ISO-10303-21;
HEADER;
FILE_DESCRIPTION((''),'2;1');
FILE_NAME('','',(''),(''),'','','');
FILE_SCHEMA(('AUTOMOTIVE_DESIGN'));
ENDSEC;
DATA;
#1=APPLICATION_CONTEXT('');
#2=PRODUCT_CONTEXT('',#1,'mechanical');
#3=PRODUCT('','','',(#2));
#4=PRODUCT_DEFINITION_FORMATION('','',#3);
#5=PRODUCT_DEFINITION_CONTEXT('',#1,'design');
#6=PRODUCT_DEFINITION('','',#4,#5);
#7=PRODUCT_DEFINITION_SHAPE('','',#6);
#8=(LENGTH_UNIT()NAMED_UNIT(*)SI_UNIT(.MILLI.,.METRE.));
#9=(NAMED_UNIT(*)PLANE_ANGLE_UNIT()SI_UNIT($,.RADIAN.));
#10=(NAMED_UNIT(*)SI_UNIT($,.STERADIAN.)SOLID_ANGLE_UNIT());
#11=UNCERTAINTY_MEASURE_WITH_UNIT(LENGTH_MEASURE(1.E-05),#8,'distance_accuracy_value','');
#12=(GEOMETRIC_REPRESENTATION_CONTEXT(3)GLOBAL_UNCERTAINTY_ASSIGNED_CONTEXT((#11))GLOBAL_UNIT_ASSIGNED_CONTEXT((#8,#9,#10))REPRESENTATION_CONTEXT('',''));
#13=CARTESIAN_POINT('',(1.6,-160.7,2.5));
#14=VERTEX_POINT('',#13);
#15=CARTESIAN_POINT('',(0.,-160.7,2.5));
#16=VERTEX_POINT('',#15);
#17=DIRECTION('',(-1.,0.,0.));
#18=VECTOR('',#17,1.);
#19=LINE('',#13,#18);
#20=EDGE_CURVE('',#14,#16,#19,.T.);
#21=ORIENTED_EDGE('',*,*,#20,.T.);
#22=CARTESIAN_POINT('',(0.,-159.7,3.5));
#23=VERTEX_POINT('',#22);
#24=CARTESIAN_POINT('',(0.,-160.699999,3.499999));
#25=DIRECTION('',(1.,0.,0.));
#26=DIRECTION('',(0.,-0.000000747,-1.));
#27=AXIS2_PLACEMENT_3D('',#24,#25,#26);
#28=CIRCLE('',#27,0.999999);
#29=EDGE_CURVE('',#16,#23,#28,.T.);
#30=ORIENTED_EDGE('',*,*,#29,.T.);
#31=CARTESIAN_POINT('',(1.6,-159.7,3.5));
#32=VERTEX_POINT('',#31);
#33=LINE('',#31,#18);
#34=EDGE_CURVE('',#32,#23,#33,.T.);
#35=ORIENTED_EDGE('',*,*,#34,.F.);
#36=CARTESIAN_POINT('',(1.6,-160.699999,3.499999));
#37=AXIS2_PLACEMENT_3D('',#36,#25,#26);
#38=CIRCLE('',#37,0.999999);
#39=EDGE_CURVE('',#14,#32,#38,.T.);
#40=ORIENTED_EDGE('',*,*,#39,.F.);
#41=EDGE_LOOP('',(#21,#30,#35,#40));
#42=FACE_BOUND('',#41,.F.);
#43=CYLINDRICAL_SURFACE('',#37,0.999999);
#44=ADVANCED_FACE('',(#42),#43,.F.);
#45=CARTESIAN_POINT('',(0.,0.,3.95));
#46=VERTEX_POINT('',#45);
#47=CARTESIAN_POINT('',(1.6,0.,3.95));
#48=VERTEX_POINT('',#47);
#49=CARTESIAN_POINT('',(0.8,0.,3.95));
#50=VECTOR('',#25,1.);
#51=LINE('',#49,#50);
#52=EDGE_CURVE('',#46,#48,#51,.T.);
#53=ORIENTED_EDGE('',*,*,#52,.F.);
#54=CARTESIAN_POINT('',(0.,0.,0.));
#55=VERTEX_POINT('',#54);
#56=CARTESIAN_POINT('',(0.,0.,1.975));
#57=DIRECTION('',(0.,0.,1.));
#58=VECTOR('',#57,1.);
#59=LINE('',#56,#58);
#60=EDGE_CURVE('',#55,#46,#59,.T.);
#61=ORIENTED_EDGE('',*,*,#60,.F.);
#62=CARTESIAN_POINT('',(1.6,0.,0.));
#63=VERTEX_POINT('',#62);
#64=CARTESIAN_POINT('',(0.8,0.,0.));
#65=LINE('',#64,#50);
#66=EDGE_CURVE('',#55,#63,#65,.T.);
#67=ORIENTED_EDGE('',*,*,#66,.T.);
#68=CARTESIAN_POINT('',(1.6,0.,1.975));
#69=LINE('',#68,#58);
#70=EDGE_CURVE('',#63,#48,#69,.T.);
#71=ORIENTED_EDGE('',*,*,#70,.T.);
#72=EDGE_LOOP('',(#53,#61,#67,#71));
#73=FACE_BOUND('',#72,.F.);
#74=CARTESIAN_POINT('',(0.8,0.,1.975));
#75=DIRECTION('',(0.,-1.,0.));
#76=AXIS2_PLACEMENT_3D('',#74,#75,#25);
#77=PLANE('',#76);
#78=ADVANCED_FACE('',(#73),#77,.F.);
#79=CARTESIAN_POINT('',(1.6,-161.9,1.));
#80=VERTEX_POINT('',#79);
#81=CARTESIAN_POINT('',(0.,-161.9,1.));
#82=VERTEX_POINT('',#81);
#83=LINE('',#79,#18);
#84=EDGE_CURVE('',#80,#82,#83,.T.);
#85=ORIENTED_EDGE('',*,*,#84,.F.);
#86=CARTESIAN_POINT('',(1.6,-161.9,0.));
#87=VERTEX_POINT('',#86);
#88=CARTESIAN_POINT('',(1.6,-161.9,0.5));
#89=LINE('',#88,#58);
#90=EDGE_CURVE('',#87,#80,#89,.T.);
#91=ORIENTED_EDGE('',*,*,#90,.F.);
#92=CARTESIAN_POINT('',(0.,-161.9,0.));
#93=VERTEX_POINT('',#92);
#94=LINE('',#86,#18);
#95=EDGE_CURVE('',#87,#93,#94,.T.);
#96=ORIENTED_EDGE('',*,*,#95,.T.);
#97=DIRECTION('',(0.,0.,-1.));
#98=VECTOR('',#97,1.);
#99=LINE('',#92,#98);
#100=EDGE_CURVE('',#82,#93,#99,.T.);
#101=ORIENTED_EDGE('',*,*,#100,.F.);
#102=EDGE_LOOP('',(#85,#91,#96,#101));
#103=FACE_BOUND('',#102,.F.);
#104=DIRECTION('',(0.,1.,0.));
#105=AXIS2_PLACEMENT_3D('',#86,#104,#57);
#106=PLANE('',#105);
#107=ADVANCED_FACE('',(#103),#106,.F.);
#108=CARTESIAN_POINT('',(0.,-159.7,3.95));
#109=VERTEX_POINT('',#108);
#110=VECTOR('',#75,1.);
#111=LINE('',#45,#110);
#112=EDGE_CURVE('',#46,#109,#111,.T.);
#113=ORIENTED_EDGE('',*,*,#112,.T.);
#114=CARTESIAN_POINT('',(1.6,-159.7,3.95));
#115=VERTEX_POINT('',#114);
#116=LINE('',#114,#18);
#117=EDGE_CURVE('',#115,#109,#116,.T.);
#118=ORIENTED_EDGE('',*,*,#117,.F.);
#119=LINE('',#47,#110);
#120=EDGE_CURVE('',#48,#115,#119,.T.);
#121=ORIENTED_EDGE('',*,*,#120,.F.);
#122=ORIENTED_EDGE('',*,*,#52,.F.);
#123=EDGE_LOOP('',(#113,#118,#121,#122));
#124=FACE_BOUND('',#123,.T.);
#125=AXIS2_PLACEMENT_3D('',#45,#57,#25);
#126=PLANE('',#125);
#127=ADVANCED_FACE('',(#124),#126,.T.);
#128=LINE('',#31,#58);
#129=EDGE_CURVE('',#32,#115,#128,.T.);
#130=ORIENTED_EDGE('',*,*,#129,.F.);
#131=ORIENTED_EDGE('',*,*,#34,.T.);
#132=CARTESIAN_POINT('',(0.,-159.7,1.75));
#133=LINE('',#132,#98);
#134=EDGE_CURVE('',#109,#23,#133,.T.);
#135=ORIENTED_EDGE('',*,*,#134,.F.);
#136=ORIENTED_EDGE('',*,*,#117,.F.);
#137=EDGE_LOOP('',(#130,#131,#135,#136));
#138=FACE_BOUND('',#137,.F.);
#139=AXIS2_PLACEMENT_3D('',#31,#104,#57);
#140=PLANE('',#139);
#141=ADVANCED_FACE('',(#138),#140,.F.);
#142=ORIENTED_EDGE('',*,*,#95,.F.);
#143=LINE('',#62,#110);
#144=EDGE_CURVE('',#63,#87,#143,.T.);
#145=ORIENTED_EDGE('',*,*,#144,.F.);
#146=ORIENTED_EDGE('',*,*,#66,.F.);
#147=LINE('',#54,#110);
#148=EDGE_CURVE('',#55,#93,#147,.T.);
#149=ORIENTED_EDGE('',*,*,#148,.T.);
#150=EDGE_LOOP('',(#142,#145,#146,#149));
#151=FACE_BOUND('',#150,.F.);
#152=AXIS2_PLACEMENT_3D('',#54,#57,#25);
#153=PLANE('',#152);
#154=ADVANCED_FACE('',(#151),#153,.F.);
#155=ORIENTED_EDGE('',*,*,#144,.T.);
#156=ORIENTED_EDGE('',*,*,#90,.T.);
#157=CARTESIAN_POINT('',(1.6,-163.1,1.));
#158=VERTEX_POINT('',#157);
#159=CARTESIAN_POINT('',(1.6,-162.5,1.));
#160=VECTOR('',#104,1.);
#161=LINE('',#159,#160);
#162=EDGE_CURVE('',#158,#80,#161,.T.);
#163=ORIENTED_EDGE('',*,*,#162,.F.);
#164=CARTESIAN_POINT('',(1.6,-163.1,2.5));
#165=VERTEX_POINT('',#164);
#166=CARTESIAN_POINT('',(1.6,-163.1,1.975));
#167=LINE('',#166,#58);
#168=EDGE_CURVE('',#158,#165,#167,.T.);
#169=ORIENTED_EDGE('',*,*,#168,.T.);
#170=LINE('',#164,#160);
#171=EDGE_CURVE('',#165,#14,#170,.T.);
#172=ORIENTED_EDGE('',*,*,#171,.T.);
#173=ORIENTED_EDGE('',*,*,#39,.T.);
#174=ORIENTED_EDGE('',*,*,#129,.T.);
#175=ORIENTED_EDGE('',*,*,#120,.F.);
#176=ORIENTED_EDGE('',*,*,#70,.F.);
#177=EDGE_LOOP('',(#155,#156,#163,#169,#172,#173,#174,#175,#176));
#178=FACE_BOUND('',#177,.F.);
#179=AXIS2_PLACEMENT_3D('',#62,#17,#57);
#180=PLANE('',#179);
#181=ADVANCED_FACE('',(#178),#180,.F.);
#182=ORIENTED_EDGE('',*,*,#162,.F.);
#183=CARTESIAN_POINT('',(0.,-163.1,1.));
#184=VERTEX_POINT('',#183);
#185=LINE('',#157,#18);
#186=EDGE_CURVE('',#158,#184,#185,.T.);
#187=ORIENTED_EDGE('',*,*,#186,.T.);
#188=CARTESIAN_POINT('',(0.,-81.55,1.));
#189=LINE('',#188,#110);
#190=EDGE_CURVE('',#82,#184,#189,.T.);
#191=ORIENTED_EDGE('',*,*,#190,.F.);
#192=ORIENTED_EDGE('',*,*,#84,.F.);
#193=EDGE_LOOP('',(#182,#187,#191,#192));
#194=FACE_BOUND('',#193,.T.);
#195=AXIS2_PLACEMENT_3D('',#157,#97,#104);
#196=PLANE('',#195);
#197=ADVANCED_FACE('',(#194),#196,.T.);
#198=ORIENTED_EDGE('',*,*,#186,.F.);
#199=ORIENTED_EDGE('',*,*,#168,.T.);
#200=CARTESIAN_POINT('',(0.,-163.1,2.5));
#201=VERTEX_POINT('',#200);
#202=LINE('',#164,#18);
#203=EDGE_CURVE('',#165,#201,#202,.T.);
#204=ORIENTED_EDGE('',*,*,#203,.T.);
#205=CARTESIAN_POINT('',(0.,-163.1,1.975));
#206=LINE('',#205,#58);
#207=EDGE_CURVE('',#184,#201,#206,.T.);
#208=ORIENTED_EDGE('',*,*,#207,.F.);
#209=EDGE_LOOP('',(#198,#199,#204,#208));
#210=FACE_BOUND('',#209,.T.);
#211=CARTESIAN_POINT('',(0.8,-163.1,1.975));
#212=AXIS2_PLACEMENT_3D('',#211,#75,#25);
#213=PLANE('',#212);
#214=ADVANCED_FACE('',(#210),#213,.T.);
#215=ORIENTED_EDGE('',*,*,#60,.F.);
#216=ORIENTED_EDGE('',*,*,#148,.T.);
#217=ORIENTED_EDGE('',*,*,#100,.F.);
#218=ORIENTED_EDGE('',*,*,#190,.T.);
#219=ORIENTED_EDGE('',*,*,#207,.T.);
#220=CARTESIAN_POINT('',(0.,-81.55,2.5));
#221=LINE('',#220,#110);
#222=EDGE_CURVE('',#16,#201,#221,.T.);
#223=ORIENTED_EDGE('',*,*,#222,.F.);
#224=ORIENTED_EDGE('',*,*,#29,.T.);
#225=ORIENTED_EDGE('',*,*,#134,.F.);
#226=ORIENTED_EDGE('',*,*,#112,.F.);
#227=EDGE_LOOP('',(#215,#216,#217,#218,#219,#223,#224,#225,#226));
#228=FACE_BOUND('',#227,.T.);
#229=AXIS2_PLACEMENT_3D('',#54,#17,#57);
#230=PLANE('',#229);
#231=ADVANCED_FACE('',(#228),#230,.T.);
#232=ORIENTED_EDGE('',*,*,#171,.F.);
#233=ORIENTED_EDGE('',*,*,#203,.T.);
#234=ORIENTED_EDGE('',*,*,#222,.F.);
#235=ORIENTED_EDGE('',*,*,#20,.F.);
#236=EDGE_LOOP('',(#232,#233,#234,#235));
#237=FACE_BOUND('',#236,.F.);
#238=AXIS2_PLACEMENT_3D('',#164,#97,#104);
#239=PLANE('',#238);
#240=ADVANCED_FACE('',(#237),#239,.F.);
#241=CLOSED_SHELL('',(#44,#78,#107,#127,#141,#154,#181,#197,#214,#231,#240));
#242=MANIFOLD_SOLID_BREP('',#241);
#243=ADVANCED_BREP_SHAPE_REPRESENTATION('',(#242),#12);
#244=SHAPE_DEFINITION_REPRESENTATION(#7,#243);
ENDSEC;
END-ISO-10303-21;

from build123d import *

# Parameters (mm, degrees)
F0_W     = 1.6
F0_H     = 3.95
F1_DEPTH = 163.1
F2_W     = 1.2
F2_H     = 1
F3_DEPTH = 1.601


with BuildPart() as f1:
    # F0 (on Front) → F1 (new body)
    with BuildSketch(Plane.XZ):
        with Locations((0.8, 1.975)):
            Rectangle(F0_W, F0_H)
    extrude(amount=F1_DEPTH)

    # F2 (on face) → F3 (cut, through all)
    with BuildSketch(Plane.YZ.offset(1.6)):
        with BuildLine():
            Line((-159.7, 3.95), (-163.1, 3.95))
            Line((-163.1, 3.95), (-163.1, 2.5))
            Line((-163.1, 2.5), (-160.7, 2.5))
            ThreePointArc((-160.7, 2.5), (-159.992893, 2.792893), (-159.7, 3.5))
            Line((-159.7, 3.5), (-159.7, 3.95))
        make_face()
        with Locations((-162.5, 0.5)):
            Rectangle(F2_W, F2_H)
    extrude(amount=-F3_DEPTH, mode=Mode.SUBTRACT)


solid = f1.part
